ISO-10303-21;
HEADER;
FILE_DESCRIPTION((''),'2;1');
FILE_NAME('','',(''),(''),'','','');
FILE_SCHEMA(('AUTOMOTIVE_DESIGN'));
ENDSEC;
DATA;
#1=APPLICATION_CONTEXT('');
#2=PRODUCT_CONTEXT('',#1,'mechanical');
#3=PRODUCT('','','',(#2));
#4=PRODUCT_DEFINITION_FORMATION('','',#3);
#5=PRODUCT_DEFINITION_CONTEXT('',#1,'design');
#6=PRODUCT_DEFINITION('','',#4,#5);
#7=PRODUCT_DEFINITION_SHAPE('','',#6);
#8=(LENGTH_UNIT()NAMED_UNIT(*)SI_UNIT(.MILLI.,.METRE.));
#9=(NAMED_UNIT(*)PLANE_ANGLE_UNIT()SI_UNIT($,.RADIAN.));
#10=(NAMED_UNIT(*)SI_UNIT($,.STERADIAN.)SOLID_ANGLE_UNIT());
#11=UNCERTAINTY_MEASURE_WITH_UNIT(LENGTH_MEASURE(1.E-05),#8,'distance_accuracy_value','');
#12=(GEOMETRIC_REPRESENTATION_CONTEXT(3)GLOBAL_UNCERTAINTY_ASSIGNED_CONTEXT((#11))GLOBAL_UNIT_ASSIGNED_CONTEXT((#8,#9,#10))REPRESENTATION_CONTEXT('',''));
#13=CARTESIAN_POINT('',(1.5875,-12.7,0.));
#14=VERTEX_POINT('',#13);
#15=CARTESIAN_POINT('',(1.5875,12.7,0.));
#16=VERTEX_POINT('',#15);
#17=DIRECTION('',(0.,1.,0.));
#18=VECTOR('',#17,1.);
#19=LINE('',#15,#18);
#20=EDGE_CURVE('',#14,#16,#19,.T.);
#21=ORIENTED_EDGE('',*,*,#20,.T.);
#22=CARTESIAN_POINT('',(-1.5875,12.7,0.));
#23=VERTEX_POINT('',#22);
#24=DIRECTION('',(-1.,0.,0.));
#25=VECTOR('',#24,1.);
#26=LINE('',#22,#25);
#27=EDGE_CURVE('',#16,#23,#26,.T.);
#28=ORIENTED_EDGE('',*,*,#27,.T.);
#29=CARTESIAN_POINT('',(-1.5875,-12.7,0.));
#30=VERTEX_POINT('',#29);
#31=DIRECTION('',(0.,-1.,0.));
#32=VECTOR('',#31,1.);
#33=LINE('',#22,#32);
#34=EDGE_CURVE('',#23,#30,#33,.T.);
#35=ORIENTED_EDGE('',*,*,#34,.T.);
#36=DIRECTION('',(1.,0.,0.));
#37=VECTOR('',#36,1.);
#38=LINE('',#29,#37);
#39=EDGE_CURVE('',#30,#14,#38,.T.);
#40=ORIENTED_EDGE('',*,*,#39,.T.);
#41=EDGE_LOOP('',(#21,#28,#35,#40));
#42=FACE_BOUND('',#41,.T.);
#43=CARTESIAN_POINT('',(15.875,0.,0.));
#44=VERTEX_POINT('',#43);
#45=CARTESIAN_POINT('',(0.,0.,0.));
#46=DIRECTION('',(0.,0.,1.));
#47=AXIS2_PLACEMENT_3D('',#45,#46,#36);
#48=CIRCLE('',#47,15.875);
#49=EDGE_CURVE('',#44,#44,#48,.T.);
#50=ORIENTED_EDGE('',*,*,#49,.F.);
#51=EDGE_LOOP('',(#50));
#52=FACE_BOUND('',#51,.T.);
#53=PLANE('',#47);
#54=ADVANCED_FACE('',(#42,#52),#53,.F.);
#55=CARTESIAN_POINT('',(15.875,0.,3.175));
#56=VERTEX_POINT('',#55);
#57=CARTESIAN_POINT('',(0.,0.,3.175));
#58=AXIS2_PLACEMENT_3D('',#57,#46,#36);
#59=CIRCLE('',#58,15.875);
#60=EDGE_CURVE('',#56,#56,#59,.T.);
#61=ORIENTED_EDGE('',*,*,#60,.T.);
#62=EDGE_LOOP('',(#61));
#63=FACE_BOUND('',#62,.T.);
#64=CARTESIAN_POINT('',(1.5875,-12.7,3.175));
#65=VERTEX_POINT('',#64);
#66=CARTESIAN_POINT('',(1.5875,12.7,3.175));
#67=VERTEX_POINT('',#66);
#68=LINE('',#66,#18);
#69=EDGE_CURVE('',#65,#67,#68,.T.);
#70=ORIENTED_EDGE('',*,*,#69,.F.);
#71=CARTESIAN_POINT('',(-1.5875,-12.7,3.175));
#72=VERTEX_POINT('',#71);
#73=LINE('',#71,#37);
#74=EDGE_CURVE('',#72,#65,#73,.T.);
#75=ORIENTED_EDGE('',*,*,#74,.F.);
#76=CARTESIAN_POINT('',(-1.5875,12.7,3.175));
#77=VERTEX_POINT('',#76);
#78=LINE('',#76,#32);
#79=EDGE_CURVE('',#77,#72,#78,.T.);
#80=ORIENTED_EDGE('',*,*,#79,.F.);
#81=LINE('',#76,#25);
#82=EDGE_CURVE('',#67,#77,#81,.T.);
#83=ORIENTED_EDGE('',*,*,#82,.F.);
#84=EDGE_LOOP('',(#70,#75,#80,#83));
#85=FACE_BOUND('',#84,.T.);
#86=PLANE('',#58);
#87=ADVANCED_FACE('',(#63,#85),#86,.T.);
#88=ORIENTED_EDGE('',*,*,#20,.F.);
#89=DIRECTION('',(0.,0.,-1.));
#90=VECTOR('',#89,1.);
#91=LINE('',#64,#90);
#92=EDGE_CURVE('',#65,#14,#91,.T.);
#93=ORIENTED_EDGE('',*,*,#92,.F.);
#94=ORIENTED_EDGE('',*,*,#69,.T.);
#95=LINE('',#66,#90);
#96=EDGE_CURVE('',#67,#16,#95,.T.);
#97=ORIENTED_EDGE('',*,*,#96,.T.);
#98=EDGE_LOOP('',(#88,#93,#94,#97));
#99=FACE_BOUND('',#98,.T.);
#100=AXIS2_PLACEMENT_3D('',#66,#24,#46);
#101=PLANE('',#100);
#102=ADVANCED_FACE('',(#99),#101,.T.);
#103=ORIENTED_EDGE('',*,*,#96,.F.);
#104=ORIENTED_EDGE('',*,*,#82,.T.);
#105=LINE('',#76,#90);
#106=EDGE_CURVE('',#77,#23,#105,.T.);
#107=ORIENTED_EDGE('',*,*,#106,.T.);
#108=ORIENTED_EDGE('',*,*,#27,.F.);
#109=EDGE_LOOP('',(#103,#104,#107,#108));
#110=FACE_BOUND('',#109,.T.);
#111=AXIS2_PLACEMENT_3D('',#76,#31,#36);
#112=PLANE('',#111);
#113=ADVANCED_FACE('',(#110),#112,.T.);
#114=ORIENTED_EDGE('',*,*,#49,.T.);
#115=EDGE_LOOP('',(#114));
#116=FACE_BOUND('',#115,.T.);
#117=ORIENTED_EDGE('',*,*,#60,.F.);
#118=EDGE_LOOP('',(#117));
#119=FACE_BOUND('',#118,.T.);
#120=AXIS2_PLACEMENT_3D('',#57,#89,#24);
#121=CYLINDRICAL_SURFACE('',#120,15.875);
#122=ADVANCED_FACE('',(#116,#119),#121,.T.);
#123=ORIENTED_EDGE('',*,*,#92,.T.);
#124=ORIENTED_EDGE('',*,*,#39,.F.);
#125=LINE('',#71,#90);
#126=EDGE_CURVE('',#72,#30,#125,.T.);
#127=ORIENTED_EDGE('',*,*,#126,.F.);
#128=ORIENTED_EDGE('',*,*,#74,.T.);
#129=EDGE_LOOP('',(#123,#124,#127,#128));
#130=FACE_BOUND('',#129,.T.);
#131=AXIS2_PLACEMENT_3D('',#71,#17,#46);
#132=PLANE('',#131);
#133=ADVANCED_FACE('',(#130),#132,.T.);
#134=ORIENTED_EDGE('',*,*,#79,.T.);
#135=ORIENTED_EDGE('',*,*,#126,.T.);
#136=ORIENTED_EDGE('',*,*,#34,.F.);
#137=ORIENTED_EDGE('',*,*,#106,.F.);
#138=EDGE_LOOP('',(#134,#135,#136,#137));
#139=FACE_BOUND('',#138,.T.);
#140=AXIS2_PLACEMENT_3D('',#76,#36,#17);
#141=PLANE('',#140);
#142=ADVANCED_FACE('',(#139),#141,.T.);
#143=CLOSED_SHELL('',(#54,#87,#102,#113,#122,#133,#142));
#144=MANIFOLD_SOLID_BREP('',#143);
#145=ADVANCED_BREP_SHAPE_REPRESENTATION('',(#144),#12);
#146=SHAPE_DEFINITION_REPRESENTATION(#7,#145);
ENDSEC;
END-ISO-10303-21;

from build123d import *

# Parameters (mm, degrees)
SKETCH1_R           = 15.875
SKETCH1_W           = 3.175
SKETCH1_H           = 25.4
BOSS_EXTRUDE1_DEPTH = 3.175


with BuildPart() as part:
    # Sketch1 → Boss-Extrude1 (new body)
    with BuildSketch(Plane.XY):
        Circle(SKETCH1_R)
        Rectangle(SKETCH1_W, SKETCH1_H, mode=Mode.SUBTRACT)
    extrude(amount=BOSS_EXTRUDE1_DEPTH)


solid = part.part
